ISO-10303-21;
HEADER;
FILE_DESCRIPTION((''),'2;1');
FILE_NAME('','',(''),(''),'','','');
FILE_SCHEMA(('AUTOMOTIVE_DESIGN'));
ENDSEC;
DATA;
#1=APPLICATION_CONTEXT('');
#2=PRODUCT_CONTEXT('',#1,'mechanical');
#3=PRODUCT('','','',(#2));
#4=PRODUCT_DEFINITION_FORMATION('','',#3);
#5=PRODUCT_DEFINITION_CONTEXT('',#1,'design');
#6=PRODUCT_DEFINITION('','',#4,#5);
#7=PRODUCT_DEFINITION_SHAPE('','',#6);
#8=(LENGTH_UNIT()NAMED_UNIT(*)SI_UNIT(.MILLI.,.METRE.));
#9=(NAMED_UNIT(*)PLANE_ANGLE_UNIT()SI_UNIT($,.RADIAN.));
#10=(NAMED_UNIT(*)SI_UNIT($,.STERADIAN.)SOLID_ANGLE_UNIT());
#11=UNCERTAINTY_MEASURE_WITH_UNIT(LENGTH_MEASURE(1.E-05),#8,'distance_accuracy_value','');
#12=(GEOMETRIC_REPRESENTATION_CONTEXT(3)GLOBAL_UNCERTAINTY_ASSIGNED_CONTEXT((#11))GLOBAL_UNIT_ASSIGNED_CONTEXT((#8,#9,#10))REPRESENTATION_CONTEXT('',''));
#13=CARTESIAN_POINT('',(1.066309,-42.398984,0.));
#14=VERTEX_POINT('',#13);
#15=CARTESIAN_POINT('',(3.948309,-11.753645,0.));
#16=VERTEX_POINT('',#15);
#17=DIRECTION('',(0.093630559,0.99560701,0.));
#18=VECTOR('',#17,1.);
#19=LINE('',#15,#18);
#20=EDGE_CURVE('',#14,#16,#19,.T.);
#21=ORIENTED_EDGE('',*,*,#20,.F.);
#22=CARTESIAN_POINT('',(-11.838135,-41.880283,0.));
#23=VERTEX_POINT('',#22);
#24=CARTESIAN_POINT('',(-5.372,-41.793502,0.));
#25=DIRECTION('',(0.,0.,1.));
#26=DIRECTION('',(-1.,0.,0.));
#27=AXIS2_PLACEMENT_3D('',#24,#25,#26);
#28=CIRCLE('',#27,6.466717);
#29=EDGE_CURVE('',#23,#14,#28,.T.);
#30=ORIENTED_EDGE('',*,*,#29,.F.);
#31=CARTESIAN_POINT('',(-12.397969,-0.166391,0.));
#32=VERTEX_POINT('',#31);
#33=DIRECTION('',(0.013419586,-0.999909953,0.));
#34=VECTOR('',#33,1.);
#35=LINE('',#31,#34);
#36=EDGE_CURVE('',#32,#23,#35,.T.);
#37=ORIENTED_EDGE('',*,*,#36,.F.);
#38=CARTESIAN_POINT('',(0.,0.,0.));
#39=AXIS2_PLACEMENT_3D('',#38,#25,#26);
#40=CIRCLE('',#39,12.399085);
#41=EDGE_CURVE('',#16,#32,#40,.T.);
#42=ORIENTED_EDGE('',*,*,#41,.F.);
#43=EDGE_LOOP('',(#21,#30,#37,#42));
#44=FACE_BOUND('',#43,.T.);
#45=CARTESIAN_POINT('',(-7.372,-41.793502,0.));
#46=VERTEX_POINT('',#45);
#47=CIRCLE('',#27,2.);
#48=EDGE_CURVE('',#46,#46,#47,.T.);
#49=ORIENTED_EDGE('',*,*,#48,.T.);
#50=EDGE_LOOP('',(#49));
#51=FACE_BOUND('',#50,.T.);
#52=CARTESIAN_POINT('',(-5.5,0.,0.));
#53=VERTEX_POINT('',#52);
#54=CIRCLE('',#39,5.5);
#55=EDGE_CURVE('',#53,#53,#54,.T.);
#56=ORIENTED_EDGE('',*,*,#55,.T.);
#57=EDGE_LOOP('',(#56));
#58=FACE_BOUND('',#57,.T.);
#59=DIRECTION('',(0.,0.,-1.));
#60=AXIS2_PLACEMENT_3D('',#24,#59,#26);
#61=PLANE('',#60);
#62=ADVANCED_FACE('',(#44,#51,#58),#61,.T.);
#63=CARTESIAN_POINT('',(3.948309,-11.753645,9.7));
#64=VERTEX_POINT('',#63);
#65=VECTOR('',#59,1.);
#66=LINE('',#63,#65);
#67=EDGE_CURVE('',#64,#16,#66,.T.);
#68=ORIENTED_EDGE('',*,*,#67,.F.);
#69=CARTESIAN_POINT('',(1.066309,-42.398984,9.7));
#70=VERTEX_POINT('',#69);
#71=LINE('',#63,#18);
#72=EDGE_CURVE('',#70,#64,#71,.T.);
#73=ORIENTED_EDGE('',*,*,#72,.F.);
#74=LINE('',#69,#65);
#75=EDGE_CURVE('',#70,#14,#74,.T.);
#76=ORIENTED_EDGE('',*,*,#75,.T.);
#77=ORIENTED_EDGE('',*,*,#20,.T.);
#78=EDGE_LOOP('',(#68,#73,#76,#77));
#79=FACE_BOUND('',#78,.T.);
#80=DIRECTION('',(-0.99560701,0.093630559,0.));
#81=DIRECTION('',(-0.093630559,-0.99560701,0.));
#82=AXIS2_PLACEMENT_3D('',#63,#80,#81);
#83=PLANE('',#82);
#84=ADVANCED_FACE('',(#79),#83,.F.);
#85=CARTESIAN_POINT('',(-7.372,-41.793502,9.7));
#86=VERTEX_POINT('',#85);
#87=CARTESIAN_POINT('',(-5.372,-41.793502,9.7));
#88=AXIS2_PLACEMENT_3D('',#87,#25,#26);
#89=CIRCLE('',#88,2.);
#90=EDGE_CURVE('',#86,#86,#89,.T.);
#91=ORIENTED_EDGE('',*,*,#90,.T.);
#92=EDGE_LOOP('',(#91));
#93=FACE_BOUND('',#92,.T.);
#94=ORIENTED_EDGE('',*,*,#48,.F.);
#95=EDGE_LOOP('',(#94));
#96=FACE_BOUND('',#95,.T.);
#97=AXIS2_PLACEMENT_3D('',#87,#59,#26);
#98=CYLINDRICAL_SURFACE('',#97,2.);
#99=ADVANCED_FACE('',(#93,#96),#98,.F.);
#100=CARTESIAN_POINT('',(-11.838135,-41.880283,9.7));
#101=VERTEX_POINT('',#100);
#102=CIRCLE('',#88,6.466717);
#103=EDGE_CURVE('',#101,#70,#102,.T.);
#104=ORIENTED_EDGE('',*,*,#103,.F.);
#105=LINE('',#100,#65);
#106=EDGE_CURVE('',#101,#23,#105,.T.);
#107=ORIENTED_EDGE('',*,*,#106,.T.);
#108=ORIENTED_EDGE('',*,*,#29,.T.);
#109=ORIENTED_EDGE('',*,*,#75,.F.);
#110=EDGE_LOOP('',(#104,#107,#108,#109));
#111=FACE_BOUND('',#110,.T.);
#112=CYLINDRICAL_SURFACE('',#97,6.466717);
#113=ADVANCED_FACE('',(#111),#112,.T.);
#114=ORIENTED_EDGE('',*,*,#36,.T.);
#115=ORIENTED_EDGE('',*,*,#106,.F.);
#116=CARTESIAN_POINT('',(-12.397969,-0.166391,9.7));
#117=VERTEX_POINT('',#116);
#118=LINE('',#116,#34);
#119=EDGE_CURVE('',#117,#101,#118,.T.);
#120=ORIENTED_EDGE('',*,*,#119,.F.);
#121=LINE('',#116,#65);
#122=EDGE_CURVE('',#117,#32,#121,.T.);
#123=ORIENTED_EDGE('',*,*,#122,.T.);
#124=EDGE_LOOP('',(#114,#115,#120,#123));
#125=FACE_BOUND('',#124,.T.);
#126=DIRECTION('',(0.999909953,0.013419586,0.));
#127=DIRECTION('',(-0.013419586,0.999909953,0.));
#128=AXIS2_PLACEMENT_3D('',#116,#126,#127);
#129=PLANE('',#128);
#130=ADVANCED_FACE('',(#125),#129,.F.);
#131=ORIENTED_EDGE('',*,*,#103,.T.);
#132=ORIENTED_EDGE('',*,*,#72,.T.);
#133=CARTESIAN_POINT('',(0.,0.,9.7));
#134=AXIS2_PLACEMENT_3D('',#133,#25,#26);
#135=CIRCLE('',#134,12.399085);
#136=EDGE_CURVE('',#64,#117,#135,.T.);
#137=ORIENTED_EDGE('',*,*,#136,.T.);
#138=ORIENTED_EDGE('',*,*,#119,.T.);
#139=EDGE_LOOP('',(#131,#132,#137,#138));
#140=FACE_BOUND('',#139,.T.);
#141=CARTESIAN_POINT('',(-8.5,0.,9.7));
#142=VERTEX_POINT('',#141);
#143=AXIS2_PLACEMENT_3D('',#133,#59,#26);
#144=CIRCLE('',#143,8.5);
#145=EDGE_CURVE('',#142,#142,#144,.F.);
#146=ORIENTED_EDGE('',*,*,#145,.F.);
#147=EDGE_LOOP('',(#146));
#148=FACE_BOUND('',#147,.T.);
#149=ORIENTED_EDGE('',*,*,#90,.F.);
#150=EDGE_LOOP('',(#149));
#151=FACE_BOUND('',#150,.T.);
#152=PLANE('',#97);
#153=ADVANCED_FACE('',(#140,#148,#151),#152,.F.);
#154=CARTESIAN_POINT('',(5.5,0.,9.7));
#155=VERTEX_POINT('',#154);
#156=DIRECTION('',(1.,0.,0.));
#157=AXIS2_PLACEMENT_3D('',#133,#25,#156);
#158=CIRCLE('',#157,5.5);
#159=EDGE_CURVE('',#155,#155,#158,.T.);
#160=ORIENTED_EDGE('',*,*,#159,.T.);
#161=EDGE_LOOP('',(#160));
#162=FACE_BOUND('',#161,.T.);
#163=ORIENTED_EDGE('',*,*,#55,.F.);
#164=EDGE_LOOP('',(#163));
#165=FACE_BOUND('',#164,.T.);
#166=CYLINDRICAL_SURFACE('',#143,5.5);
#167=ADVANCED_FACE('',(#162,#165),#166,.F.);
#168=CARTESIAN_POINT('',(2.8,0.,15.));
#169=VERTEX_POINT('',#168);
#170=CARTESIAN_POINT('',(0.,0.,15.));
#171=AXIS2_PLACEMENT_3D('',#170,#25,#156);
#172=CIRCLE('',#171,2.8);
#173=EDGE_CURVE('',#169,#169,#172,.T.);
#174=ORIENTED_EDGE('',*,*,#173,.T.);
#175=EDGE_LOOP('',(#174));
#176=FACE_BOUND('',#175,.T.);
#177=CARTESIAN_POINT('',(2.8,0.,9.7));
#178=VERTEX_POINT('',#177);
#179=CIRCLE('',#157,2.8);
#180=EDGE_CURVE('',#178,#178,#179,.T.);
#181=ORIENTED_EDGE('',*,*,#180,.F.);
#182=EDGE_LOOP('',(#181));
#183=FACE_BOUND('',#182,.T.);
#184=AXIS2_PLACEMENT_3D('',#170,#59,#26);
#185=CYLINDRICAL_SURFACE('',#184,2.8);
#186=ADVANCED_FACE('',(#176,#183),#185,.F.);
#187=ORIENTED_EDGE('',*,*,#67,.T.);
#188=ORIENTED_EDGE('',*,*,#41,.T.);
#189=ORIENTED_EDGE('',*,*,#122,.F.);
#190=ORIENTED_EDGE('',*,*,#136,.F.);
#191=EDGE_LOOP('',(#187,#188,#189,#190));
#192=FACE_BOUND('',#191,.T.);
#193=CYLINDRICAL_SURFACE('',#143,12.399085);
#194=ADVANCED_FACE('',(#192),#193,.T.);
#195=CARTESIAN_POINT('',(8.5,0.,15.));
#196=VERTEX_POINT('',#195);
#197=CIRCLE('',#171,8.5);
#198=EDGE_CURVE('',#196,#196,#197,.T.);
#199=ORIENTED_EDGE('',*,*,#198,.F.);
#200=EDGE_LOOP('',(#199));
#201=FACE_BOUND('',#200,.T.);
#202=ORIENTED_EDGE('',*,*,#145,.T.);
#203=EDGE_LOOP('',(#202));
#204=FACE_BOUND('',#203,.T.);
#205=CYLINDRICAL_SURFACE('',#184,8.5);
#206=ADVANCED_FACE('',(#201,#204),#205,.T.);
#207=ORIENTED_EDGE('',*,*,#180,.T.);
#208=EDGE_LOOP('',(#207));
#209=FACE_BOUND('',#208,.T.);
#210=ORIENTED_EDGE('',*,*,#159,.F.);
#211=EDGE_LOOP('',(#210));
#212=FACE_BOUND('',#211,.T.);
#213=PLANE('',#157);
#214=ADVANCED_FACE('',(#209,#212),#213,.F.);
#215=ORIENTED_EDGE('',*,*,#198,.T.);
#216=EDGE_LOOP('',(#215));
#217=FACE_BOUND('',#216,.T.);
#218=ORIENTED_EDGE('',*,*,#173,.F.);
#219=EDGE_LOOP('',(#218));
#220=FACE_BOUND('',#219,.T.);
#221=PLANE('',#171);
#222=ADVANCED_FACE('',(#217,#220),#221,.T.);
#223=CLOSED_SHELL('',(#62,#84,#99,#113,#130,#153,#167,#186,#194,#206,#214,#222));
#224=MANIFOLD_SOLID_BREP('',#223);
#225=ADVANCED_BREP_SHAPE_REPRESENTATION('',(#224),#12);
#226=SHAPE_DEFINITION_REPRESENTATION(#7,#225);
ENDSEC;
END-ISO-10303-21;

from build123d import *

# Parameters (mm, degrees)
ESBO_O1_R                = 5.5
ESBO_O1_R_2              = 2
RESSALTO_EXTRUS_O1_DEPTH = 9.7
ESBO_O2_R                = 8.5
ESBO_O2_R_2              = 2.8
RESSALTO_EXTRUS_O2_DEPTH = 5.3


with BuildPart() as part:
    # Esboço1 → Ressalto-extrusão1 (new body)
    with BuildSketch(Plane.XY):
        with BuildLine():
            Line((-12.397968723, -0.166390596), (-11.838135129, -41.880282782))
            ThreePointArc((-11.838135129, -41.880282782), (-5.631724082, -48.255001448), (1.066308546, -42.398984451))
            Line((1.066308546, -42.398984451), (3.948309434, -11.753644835))
            ThreePointArc((3.948309434, -11.753644835), (7.17044634, 10.115434423), (-12.397968723, -0.166390596))
        make_face()
        Circle(ESBO_O1_R, mode=Mode.SUBTRACT)
        with Locations((-5.372000333, -41.793502112)):
            Circle(ESBO_O1_R_2, mode=Mode.SUBTRACT)
    extrude(amount=RESSALTO_EXTRUS_O1_DEPTH)

    # Esboço2 → Ressalto-extrusão2 (add)
    with BuildSketch(Plane.XY.offset(9.7)):
        Circle(ESBO_O2_R)
        Circle(ESBO_O2_R_2, mode=Mode.SUBTRACT)
    extrude(amount=RESSALTO_EXTRUS_O2_DEPTH)


solid = part.part
